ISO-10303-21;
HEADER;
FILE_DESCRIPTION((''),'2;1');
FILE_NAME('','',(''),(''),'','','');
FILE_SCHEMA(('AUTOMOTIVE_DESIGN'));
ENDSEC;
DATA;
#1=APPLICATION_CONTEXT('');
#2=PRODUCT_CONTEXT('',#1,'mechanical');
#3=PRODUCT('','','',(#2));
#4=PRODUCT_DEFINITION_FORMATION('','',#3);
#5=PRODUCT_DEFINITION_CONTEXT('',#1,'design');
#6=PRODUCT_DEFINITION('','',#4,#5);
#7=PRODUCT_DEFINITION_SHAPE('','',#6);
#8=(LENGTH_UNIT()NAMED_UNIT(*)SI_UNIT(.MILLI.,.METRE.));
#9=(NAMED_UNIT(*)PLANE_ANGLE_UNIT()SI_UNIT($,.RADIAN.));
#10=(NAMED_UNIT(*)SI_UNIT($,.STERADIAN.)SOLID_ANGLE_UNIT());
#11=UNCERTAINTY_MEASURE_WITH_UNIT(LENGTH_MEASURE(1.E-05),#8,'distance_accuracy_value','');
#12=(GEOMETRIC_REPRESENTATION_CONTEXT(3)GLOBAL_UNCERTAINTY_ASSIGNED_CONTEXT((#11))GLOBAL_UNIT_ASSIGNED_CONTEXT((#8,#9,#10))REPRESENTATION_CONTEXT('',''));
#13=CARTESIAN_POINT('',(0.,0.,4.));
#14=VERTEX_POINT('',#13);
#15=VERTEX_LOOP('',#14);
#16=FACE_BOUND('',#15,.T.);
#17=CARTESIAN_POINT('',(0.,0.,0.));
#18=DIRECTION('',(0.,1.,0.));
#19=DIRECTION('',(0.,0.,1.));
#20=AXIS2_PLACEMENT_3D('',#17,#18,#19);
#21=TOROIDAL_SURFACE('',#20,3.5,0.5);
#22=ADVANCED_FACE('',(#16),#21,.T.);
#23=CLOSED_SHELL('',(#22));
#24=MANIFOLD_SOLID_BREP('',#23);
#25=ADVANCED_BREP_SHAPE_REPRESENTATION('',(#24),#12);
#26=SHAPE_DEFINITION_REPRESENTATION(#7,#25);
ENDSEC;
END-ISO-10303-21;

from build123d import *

# Parameters (mm, degrees)
ESQUISSE1_R = 0.5


with BuildPart() as part:
    # Esquisse1 → Base-Révolution (revolve)
    with BuildSketch(Plane.XY):
        with Locations((3.5, 0)):
            Circle(ESQUISSE1_R)
    revolve(axis=Axis((0, 22.936744639, 0), (0, -1, 0)))


solid = part.part
